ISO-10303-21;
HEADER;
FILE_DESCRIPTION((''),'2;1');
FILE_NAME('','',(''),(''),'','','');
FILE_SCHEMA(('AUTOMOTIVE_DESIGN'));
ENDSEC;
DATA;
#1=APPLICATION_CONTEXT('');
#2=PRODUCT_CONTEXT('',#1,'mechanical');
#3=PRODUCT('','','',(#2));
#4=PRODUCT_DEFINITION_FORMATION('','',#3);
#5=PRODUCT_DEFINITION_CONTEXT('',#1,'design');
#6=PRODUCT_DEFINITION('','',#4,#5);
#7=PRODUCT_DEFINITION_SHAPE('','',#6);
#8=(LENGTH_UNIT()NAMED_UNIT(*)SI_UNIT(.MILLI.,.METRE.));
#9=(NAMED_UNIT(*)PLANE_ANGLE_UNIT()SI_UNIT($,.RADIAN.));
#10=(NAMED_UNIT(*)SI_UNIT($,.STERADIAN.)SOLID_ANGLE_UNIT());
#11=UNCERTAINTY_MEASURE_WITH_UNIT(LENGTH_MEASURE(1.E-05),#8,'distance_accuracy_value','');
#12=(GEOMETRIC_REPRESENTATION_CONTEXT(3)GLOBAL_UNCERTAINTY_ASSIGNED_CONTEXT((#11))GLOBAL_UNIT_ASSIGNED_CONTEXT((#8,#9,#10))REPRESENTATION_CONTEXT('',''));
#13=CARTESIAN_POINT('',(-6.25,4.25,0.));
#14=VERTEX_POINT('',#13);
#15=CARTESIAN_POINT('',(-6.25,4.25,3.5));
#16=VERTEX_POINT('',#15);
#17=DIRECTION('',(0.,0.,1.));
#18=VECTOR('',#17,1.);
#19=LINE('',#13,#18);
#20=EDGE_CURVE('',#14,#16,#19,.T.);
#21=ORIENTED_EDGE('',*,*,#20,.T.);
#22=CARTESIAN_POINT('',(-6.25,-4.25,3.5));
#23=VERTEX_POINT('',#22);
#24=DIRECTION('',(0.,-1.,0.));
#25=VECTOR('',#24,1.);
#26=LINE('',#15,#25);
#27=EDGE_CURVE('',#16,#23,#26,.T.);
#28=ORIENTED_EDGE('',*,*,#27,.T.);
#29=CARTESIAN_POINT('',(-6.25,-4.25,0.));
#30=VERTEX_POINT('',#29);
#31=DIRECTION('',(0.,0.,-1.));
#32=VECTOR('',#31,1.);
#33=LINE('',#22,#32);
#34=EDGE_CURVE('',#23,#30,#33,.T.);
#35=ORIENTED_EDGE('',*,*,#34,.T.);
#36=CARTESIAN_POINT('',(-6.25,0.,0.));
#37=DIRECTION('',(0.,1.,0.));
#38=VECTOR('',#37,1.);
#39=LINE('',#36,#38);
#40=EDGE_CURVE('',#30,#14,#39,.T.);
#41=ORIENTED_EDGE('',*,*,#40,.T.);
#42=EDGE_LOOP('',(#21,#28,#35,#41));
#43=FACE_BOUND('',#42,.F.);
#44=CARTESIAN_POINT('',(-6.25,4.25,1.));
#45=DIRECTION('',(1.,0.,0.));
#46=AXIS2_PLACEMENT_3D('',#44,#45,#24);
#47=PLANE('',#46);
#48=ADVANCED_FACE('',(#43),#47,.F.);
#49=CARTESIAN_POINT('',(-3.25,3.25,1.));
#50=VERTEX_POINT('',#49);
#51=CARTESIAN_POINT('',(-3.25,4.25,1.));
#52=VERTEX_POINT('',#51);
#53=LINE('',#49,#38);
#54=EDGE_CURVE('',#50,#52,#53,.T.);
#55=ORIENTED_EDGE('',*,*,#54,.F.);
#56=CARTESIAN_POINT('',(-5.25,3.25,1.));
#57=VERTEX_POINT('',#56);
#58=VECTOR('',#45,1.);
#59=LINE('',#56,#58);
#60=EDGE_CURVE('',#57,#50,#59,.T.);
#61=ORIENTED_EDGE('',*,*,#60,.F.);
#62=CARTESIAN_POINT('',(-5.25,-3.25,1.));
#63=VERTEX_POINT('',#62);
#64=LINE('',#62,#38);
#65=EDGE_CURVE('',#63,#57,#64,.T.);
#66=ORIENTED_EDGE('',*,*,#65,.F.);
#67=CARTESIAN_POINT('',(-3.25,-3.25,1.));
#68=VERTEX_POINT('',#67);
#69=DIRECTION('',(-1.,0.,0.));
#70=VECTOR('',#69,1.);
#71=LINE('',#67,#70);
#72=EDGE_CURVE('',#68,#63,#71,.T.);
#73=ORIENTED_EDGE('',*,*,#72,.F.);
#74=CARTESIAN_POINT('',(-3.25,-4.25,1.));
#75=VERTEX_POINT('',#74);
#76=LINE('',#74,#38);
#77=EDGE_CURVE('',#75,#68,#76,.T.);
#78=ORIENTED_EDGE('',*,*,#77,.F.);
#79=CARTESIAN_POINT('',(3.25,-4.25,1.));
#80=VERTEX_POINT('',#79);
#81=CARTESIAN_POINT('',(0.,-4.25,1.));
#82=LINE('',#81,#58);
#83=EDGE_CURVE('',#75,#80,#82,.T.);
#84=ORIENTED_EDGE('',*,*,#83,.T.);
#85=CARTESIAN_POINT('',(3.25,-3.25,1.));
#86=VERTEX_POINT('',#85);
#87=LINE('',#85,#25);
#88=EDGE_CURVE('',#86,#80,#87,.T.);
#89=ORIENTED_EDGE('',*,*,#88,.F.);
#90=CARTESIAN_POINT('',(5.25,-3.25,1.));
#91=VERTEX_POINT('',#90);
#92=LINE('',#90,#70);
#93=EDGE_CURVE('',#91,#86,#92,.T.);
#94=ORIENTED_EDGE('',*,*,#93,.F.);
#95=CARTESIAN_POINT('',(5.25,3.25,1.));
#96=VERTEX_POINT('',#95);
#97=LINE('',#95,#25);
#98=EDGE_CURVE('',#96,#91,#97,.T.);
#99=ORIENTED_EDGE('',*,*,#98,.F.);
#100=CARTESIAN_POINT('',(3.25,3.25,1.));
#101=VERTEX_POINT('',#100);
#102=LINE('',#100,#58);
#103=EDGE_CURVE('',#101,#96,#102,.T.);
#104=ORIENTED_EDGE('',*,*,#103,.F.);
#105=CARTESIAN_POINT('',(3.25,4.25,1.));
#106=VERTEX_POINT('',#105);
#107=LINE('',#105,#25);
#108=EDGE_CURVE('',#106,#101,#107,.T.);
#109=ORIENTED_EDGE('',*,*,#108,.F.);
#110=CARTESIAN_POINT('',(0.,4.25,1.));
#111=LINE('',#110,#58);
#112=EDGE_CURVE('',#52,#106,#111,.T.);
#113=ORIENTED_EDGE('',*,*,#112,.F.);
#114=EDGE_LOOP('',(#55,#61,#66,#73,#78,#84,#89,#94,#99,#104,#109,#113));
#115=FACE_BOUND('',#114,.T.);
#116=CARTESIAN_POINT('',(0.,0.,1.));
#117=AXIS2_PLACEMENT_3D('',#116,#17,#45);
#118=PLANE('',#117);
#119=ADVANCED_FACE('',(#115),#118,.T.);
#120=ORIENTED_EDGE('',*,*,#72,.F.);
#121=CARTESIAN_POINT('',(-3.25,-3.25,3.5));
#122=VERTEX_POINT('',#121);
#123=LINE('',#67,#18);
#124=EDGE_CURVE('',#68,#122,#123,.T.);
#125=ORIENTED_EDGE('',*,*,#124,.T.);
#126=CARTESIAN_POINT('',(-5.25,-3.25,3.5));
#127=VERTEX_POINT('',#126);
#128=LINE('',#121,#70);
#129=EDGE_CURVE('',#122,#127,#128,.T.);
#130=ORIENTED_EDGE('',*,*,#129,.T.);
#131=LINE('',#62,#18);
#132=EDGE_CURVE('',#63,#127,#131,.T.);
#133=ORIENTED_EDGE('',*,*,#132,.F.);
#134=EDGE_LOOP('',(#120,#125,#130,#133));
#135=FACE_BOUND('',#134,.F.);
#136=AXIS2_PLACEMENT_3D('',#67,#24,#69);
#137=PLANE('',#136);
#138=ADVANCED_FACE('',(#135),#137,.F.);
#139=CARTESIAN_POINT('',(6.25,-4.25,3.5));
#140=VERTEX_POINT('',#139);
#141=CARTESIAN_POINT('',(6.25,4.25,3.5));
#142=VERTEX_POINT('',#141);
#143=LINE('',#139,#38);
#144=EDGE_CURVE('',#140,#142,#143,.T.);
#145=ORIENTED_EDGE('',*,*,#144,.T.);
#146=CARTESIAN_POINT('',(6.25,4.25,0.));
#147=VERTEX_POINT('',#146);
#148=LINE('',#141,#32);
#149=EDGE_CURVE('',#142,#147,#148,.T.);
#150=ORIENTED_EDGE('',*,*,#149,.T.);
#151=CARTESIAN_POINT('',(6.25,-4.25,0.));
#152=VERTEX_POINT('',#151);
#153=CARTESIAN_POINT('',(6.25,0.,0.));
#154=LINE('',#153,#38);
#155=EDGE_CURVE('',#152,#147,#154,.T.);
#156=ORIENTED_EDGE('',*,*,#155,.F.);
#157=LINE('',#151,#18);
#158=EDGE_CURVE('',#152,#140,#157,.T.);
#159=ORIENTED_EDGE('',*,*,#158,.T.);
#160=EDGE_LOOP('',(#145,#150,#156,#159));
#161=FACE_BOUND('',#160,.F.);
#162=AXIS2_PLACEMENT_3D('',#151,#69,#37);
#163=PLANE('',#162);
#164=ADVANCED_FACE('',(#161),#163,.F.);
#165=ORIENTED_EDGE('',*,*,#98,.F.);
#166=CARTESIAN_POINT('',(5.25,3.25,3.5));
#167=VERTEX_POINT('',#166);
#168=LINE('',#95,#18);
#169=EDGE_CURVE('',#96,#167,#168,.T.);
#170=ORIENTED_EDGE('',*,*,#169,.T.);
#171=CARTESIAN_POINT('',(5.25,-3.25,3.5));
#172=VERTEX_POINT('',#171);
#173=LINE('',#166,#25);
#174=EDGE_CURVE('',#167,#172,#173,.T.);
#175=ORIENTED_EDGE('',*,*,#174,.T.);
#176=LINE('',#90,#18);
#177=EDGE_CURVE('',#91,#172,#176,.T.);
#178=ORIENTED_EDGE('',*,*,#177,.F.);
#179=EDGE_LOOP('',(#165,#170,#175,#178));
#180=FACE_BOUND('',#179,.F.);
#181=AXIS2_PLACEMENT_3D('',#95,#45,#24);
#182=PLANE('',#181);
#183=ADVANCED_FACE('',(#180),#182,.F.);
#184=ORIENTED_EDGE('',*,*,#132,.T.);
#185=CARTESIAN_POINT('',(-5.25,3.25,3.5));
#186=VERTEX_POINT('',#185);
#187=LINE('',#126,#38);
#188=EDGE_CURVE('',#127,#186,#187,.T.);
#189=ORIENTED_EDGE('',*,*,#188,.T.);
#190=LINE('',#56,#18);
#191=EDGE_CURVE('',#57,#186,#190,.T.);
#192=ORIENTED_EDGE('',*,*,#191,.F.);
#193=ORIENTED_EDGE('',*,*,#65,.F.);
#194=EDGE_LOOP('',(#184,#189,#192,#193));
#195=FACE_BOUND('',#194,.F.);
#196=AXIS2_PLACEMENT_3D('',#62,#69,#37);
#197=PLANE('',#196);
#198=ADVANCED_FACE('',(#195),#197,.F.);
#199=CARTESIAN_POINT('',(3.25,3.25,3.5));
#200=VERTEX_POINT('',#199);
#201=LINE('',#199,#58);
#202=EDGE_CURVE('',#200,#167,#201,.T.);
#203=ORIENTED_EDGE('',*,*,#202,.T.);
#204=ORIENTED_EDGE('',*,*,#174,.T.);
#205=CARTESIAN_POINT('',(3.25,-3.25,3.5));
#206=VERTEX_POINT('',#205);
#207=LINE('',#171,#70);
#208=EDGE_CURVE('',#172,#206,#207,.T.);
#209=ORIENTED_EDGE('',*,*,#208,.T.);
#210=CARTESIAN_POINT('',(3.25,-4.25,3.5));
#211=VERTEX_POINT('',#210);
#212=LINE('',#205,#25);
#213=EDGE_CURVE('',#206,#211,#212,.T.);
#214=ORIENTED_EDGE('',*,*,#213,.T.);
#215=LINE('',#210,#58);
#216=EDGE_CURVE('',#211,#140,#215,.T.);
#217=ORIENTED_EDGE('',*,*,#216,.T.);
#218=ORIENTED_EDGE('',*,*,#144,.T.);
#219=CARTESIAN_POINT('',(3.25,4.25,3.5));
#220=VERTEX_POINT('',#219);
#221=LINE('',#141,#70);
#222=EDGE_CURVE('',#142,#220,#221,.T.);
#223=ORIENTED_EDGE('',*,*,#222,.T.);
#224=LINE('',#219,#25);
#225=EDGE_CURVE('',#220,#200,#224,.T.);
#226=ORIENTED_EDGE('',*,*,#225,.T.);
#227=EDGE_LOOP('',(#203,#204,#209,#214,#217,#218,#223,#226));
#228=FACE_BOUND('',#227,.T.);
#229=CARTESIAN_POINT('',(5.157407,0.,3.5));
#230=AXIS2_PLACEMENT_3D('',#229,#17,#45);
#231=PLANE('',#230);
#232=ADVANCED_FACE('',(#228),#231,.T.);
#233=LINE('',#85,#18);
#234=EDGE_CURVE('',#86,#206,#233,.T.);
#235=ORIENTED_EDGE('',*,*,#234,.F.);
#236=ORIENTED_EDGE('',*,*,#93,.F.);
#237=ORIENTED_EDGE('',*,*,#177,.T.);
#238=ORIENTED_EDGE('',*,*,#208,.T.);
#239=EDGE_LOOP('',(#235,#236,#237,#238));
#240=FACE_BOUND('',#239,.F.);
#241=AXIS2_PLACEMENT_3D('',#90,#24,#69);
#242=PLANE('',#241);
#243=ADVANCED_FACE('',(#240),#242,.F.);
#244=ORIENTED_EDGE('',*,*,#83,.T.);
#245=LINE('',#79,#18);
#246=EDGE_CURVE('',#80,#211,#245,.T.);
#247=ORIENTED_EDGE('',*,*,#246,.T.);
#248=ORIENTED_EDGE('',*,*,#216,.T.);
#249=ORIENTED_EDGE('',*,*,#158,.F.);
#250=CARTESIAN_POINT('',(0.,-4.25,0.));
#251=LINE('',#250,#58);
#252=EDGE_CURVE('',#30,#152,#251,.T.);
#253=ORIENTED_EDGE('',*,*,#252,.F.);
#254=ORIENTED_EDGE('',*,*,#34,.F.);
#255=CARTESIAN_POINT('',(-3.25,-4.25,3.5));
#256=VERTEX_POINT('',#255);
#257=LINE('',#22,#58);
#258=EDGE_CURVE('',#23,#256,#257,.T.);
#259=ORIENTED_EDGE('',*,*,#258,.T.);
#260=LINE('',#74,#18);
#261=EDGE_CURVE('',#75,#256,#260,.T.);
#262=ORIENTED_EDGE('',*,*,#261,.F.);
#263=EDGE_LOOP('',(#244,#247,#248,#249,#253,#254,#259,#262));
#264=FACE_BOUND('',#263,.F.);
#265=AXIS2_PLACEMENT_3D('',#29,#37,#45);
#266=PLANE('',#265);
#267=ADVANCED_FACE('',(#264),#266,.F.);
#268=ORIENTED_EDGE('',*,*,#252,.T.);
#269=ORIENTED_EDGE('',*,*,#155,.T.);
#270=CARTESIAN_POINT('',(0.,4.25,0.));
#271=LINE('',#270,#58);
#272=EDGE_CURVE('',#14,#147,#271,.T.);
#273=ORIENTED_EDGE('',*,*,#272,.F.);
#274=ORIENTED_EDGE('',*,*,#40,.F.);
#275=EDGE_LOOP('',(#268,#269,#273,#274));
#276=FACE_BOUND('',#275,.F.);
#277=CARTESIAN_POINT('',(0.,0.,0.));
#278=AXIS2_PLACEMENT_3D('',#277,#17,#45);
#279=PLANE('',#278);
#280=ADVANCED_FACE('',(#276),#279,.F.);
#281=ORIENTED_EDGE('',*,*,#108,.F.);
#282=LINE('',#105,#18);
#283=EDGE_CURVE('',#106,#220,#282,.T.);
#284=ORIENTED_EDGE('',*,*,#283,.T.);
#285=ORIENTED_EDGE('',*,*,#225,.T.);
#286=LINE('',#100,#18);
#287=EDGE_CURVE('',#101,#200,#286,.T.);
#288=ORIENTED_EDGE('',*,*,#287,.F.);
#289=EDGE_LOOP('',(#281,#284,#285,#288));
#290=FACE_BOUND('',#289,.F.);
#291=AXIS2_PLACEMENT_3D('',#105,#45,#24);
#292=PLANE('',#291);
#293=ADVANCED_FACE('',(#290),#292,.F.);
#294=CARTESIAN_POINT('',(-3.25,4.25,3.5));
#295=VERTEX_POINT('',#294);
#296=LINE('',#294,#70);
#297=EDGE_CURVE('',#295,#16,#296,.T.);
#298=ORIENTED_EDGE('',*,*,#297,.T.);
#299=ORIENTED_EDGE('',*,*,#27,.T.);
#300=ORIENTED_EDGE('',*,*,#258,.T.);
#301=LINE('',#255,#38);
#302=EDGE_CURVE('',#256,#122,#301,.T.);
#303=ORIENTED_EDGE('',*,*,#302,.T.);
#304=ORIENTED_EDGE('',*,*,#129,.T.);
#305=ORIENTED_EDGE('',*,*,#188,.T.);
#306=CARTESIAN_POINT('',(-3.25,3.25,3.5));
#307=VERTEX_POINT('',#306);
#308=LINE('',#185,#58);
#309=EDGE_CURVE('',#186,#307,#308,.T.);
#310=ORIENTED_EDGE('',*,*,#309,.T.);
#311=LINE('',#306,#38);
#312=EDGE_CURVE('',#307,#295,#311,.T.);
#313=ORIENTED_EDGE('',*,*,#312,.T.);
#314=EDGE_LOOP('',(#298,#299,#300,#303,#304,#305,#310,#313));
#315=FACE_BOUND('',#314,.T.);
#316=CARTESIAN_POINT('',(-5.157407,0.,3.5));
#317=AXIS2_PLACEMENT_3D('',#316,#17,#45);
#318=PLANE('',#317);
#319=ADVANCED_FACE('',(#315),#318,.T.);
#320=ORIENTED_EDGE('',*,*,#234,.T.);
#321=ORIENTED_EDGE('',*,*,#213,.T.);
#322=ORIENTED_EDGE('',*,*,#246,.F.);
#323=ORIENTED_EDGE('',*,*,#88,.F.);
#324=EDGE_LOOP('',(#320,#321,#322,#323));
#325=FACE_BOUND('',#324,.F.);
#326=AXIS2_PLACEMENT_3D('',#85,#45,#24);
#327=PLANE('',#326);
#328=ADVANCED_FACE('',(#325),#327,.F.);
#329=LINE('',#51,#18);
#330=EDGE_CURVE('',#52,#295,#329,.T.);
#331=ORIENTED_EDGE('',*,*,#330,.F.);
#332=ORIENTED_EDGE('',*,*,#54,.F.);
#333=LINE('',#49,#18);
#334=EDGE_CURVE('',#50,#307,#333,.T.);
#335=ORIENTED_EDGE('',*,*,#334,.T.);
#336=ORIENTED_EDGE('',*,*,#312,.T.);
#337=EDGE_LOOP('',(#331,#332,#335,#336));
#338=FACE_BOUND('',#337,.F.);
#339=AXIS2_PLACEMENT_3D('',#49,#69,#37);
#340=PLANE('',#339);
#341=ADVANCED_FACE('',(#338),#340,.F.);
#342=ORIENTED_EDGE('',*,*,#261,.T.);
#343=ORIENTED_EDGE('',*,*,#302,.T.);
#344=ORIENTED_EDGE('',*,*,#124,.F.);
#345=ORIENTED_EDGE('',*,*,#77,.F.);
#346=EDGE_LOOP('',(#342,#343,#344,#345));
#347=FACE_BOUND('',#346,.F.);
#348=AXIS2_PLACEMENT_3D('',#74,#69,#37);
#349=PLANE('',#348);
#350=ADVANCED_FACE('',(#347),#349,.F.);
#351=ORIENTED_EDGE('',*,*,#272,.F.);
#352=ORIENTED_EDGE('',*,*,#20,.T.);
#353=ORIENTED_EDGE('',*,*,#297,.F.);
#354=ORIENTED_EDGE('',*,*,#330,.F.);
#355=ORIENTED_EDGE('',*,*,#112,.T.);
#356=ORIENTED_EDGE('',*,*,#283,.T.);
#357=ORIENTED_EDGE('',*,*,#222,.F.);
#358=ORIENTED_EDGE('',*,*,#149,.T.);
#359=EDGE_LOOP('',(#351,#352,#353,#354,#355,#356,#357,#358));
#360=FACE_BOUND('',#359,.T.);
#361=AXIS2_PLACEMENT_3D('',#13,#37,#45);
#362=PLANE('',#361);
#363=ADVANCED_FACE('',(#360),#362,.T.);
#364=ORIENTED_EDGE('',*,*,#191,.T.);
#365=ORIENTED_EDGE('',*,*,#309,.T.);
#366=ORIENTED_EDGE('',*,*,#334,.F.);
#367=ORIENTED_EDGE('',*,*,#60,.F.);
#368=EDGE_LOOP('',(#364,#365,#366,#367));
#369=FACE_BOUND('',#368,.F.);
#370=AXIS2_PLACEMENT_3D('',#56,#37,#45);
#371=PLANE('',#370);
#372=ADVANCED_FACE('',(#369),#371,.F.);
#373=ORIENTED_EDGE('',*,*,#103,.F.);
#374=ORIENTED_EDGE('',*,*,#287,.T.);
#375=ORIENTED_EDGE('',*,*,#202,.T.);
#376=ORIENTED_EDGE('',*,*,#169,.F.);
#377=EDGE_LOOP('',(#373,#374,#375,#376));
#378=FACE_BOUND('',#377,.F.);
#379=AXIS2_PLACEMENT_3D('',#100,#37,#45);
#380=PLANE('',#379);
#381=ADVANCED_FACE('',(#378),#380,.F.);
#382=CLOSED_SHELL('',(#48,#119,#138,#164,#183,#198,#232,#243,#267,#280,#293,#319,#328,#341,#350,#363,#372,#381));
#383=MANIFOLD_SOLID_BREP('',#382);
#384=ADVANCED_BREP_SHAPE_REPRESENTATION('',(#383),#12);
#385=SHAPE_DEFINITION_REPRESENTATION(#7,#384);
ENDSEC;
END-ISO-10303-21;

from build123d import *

# Parameters (mm, degrees)
F0_W     = 12.5
F0_H     = 8.5
F1_DEPTH = 1
F3_DEPTH = 2.5


with BuildPart() as f1:
    # F0 (on Top) → F1 (new body)
    with BuildSketch(Plane.XY):
        Rectangle(F0_W, F0_H)
    extrude(amount=F1_DEPTH)

    # F2 (on face) → F3 (join)
    with BuildSketch(Plane.XY.offset(1)):
        Polygon((-5.25, -3.25), (-5.25, 3.25), (-3.25, 3.25), (-3.25, 4.25), (-6.25, 4.25), (-6.25, -4.25), (-3.25, -4.25), (-3.25, -3.25), align=None)
        Polygon((3.25, 4.25), (3.25, 3.25), (5.25, 3.25), (5.25, -3.25), (3.25, -3.25), (3.25, -4.25), (6.25, -4.25), (6.25, 4.25), align=None)
    extrude(amount=F3_DEPTH)


solid = f1.part
